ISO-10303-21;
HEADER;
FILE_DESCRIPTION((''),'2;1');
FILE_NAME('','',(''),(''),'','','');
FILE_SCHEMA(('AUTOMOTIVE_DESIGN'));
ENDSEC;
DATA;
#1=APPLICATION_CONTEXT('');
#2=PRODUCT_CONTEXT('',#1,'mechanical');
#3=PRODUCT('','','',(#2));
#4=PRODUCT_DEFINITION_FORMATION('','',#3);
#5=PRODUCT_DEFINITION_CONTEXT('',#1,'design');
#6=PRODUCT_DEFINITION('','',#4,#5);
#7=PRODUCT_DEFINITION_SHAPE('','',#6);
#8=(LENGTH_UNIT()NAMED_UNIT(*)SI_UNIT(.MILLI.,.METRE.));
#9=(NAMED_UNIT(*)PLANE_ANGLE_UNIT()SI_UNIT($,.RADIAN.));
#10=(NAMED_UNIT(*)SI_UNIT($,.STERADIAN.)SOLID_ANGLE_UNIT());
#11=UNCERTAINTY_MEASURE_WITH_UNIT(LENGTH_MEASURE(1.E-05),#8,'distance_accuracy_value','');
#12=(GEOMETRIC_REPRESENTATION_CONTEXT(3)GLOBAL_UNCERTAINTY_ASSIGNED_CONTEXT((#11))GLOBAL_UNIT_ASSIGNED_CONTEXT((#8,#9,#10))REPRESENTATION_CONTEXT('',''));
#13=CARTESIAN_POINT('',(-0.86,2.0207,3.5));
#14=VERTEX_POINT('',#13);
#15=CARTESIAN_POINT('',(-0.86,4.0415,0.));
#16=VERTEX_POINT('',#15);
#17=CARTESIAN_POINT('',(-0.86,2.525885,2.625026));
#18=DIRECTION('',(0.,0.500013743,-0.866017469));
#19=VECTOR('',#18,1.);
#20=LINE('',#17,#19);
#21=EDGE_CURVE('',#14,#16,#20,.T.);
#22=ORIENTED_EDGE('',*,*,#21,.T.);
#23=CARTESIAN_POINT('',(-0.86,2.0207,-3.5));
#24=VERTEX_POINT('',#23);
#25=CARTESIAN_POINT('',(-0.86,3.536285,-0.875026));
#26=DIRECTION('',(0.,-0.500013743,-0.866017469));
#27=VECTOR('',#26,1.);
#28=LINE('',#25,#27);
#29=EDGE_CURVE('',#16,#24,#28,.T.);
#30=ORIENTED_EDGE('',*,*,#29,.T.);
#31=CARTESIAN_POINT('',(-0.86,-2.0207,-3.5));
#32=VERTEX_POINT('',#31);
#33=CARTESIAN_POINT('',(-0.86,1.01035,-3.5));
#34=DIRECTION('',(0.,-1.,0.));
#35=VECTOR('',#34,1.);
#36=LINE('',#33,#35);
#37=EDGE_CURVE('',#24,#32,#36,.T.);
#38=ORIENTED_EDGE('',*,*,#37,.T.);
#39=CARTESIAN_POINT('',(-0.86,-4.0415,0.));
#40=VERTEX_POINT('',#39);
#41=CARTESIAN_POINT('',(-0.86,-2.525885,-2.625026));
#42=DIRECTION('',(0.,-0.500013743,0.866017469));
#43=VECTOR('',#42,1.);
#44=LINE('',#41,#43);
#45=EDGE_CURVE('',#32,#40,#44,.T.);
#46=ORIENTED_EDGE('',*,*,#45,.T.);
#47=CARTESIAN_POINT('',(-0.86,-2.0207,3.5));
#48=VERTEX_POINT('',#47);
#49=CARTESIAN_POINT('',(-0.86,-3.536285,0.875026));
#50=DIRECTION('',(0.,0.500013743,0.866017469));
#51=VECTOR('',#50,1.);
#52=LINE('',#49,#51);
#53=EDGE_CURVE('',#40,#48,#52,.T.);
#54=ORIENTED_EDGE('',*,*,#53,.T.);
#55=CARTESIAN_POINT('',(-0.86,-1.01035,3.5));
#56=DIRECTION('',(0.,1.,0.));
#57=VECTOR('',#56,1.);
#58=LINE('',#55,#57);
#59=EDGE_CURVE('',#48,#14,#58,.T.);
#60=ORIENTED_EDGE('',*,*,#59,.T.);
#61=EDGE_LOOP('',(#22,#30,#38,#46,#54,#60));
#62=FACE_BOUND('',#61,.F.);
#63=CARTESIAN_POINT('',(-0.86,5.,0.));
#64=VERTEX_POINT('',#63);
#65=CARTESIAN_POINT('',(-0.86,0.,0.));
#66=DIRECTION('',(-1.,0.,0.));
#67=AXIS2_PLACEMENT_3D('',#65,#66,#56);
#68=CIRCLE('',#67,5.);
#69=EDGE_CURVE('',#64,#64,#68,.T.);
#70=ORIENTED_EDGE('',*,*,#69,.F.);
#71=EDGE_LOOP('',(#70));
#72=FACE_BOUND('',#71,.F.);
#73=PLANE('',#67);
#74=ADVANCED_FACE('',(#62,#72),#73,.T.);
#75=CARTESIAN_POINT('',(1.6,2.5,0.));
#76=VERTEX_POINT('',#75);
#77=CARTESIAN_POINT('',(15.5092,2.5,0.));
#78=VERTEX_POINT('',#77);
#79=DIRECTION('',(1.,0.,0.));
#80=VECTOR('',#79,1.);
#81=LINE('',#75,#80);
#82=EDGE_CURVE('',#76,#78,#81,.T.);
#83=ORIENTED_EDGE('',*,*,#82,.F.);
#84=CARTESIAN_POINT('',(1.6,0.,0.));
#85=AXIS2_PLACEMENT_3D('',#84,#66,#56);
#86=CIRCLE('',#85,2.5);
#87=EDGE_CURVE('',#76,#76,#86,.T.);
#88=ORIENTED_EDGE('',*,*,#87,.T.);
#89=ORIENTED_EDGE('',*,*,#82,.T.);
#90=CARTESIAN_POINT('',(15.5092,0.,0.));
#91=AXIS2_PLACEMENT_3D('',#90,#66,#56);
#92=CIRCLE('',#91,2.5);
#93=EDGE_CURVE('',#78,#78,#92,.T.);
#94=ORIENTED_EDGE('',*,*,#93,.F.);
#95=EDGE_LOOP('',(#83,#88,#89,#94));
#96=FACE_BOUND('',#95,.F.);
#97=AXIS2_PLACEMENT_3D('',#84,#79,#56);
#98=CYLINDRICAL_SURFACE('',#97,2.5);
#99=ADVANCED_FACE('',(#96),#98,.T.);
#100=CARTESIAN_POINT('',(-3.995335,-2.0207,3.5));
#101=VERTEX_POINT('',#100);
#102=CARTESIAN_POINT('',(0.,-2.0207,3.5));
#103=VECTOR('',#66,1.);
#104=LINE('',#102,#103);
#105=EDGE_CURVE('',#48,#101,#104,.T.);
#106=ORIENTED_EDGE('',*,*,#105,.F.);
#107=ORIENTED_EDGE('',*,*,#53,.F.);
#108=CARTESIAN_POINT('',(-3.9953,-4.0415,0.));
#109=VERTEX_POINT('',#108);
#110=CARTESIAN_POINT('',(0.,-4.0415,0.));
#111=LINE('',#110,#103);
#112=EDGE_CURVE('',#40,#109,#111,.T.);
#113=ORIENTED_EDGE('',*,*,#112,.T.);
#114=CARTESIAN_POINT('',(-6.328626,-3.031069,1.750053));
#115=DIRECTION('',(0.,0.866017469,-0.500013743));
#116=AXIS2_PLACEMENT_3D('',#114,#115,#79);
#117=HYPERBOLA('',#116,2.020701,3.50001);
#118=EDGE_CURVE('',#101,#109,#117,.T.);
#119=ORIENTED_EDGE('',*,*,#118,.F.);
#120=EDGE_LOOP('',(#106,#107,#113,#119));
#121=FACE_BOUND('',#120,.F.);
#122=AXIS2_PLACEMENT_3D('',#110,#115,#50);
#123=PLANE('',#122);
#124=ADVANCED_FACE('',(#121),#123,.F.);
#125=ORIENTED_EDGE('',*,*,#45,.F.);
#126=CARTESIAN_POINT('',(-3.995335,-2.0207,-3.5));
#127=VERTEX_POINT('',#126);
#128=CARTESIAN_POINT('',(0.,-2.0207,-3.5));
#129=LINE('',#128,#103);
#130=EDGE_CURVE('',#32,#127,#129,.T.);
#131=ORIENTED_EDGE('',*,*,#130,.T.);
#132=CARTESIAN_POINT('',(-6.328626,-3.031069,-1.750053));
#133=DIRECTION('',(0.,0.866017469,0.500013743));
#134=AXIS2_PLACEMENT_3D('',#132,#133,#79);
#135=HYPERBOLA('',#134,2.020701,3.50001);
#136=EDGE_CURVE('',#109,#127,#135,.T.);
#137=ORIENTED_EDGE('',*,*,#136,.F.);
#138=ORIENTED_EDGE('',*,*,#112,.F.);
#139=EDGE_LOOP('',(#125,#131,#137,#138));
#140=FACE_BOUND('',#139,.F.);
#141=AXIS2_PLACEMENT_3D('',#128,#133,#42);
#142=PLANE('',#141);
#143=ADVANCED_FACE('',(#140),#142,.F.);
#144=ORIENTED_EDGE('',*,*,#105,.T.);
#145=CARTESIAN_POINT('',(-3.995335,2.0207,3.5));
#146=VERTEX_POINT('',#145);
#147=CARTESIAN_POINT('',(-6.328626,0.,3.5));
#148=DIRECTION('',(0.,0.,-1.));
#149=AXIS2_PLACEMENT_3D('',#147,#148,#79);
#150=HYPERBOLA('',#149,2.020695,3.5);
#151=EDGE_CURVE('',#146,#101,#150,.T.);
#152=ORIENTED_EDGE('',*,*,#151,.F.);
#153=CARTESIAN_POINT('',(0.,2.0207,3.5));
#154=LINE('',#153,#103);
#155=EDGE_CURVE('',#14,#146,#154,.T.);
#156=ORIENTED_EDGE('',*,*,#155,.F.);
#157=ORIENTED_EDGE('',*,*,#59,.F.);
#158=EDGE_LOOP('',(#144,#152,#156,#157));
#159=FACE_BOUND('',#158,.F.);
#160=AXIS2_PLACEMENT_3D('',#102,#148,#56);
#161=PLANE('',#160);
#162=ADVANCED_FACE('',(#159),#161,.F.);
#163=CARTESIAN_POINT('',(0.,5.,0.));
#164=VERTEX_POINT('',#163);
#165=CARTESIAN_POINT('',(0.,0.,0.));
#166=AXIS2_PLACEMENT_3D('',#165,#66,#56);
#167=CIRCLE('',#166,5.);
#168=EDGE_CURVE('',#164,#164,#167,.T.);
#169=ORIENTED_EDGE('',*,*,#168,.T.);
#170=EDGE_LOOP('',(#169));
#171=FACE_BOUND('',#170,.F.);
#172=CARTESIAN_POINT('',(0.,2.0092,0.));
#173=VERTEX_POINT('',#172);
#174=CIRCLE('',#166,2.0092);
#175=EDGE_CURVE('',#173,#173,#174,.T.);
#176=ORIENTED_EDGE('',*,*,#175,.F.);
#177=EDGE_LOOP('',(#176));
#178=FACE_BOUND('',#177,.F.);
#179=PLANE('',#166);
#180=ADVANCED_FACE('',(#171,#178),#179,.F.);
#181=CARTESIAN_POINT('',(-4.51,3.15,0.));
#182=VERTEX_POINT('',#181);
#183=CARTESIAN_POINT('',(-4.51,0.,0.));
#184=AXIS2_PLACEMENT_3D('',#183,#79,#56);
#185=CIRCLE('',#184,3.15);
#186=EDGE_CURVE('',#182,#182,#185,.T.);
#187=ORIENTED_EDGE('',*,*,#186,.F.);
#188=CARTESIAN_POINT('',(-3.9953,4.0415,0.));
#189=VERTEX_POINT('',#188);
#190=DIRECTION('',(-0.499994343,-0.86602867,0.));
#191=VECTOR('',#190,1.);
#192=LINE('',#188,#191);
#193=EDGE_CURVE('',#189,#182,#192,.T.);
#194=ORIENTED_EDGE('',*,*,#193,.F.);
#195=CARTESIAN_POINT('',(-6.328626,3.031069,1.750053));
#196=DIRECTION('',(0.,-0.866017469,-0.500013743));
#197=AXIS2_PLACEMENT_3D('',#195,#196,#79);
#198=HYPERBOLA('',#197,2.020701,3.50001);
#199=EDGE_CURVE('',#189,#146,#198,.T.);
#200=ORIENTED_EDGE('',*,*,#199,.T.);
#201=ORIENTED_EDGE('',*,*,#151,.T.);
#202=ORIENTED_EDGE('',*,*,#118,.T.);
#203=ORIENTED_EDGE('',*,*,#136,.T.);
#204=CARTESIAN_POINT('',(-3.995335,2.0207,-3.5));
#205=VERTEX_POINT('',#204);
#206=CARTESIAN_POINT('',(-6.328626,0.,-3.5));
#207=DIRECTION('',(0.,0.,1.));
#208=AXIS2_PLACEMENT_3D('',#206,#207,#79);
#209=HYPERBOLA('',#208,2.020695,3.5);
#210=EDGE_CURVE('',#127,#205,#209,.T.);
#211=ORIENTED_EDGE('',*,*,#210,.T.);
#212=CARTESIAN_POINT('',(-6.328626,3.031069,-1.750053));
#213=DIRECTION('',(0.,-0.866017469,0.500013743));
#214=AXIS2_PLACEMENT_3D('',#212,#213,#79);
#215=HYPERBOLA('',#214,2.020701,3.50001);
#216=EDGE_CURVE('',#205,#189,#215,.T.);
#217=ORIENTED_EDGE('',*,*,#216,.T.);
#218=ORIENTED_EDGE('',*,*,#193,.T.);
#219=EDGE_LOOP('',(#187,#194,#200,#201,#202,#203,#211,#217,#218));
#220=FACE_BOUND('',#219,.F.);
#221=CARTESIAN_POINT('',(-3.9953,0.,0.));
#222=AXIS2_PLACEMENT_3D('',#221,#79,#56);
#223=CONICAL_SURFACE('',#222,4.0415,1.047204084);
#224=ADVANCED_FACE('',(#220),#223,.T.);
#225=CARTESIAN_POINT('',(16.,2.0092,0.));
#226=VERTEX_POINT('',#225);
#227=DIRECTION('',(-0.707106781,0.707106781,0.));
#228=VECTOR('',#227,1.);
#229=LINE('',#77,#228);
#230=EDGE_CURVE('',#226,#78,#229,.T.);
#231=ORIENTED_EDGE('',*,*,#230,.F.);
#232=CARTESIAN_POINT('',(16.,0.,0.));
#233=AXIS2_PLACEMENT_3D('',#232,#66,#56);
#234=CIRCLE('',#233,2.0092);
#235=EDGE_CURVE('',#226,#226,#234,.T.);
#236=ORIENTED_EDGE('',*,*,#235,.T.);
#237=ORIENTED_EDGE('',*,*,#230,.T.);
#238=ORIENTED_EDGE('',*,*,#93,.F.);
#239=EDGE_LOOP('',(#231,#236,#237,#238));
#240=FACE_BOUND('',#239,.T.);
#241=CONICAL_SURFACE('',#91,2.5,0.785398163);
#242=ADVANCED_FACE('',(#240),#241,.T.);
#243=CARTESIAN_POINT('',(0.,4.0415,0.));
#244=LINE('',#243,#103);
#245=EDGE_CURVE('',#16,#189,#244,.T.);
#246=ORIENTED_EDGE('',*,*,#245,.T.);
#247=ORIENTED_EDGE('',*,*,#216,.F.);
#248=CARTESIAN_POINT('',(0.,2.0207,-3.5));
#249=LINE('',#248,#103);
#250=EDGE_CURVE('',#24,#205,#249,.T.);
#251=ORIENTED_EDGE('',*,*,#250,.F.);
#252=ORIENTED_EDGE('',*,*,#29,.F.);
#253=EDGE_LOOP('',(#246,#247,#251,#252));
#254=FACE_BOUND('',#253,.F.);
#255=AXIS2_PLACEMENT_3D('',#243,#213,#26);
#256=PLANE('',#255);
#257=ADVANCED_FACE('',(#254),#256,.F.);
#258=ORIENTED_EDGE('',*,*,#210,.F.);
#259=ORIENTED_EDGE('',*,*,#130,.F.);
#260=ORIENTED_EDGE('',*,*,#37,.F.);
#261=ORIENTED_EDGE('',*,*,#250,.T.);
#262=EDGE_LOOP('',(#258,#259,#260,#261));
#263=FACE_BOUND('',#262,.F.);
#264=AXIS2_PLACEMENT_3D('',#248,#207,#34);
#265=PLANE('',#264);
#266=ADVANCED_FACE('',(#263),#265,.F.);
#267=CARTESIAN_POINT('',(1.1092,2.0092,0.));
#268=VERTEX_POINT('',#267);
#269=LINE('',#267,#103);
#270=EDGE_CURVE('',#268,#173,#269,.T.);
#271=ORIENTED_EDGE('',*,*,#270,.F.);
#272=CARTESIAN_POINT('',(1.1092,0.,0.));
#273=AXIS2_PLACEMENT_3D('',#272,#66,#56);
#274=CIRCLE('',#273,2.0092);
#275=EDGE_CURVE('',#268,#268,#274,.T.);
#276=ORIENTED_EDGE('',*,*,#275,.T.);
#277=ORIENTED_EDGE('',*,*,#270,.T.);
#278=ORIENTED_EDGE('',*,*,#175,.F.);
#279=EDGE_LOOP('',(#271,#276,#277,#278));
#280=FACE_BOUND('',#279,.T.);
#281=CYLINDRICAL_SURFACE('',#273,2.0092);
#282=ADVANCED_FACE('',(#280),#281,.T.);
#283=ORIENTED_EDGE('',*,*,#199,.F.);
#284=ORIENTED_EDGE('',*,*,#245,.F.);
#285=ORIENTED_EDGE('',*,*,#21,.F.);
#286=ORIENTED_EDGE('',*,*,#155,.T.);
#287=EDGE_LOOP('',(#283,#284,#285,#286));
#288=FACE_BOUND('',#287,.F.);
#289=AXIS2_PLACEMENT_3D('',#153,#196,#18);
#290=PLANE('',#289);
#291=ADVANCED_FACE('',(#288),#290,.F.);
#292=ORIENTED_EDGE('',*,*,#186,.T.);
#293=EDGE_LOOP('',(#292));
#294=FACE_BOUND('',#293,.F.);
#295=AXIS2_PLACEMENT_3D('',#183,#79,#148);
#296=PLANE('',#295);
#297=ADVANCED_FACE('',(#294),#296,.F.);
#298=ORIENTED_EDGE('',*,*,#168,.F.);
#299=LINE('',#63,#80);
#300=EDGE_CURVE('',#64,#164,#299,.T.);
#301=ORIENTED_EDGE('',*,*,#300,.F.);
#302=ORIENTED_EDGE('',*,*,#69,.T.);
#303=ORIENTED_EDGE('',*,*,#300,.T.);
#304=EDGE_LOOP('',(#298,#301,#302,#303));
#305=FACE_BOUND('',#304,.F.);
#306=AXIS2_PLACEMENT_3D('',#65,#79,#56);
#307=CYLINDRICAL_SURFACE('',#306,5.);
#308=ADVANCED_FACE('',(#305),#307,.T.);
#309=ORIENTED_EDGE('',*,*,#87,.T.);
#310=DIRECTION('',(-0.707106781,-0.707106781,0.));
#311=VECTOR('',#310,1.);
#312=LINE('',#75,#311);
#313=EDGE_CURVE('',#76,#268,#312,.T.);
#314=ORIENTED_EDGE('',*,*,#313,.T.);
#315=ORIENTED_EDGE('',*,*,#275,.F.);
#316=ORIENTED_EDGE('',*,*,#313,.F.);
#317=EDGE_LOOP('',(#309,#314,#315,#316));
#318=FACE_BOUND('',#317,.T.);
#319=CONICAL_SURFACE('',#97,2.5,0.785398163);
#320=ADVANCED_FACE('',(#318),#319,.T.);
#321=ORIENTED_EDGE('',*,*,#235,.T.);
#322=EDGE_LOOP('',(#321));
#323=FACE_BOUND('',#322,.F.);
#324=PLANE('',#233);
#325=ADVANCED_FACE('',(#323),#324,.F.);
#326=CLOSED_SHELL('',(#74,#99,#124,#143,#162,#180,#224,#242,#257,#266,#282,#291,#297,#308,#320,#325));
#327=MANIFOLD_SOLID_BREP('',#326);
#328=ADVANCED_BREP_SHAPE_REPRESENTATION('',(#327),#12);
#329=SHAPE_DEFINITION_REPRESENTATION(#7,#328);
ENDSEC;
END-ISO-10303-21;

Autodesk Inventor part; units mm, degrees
ref_plane "YZ Plane" through (0, 0, 0) normal (1, 0, 0) x (0, 1, 0)
ref_plane "XZ Plane" through (0, 0, 0) normal (0, 1, 0) x (-1, 0, 0)
sketch "Sketch1" plane through (0, 0, 0) normal (0, 0, 1) x (1, 0, 0)
  line L0 (0, 5) -> (0, 2.0092)
  line L1 (1.6, 2.5) -> (16, 2.5)
  line L2 (16, 2.5) -> (16, 0)
  line L3 (16, 0) -> (-0.86, 0)
  line L4 (0, -1) -> (0, 6) projected
  line L5 (-4.232, 0) -> (19.372, 0) projected
  line L6 (-0.86, 0) -> (-0.86, 5)
  line L7 (-0.86, 5) -> (0, 5)
  line L8 (1.6, 2.5) -> (1.1092, 2.0092)
  line L9 (1.1092, 2.0092) -> (0, 2.0092)
  dimension "d0" = 16
  dimension "d1" = 14.4
  dimension "d2" = 5
  dimension "d8" = 0.86
  dimension "d9" = 10
  dimension "d15" = 4.0185
  dimension "d16" = 0.4908
revolve "Body" add sketch "Sketch1" angle 360 about axis through (16, 0, 0) along (-1, 0, 0)
sketch "Sketch2" plane through (0, 0, 0) normal (1, 0, 0) x (0, 0, -1)
  circle A0 centre (0, 0) radius 5 projected
  line L0 (0, 4.0415) -> (3.5, 2.0207)
  line L1 (3.5, 2.0207) -> (3.5, -2.0207)
  line L2 (3.5, -2.0207) -> (0, -4.0415)
  line L3 (0, -4.0415) -> (-3.5, -2.0207)
  line L4 (-3.5, -2.0207) -> (-3.5, 2.0207)
  line L5 (-3.5, 2.0207) -> (0, 4.0415)
  circle A1 centre (0, 0) radius 5 projected
  dimension "d10" = 7
extrude "Head" add sketch "Sketch2" against normal blind 4.51 contours L0 L1 L2 L3 L4 L5
sketch "Sketch3" plane through (0, 0, 0) normal (0, 0, 1) x (1, 0, 0)
  line L0 (-4.51, 3.15) -> (-4.51, 4.0415)
  line L1 (-4.51, 4.0415) -> (-3.9953, 4.0415)
  line L2 (-3.9953, 4.0415) -> (-4.51, 3.15)
  line L3 (-2.0945, 4.0415) -> (-4.51, 4.0415)
  line L4 (-4.51, 4.0415) -> (-4.51, 1.7321)
  line L5 (-0.86, 4.0415) -> (-4.51, 4.0415) projected
  line L6 (-4.51, 4.0415) -> (-4.51, 2.0207) projected
  line L7 (-5.24, 0) -> (-0.13, 0) projected
  dimension "d5" = 30
  dimension "d18" = 6.3
revolve "Chamfer1" cut sketch "Sketch3" angle 360 about axis through (-10, 0, 0) along (1, 0, 0)
thread "Thread" size "M5x0.8" class "6g" standard "ISO Metric profile" length 14.4
chamfer "Chamfer2" distance 0.4908 distance2 0.4908 1 edges at (16, -2.5, 0) measured on face at (16, 0.6587, 0.3326)
ref_plane "Work Plane1" through (3.5, 0, 0) normal (0, 0, 1) x (1, 0, 0)
equation "\"d10\" = SW"
equation "\"d3\" = KOH"
equation "\"d13\" = GEL"
equation "\"d6\" = -0.5 * SPD + 0.5 * GD"
equation "\"d7\" = -0.5 * SPD + 0.5 * GD"
equation "\"d0\" = NLG"
equation "\"d1\" = GEL"
equation "\"d2\" = GD"
equation "\"d8\" = PHH"
equation "\"d9\" = LADI"
equation "\"d15\" = BDM"
equation "\"d16\" = GAL"
equation "\"d5\" = ANG1"
equation "\"d18\" = SW0"
equation "\"NLG\" = 16"
equation "\"GD\" = NND"
equation "\"BDM\" = NND - 1.2269 * PTC"
equation "\"KOH\" = 4.51"
equation "\"GEL\" = 14.4"
equation "\"LADI\" = 10"
equation "\"SW\" = 7"
equation "\"PHH\" = 0.86"
equation "\"SW0\" = 6.3"
equation "\"SPD\" = NND - 1.2269 * PTC"
equation "\"ANG1\" = 30deg"
equation "\"GAL\" = 0.61345 * PTC"
equation "\"GUL\" = 0.61345 * PTC"
equation "\"WFT\" = PHH"
equation "\"PTC\" = 0.8"
equation "\"THREADDIA\" = 5"
equation "\"E0\" = 1.155 * SW"
equation "\"TOA\" = 30deg"
equation "\"NND\" = 5"
equation "\"GD1\" = THREADDIA - 1.2269 * PTC"
equation "\"SDH\" = 5.7"
equation "\"KOH1\" = 3.65"
equation "\"SD2\" = NND"
equation "\"SD\" = 0"
equation "\"RR\" = 0.2"
properties part number "AS 1427 - M5 x 16" material "Steel, Mild"
